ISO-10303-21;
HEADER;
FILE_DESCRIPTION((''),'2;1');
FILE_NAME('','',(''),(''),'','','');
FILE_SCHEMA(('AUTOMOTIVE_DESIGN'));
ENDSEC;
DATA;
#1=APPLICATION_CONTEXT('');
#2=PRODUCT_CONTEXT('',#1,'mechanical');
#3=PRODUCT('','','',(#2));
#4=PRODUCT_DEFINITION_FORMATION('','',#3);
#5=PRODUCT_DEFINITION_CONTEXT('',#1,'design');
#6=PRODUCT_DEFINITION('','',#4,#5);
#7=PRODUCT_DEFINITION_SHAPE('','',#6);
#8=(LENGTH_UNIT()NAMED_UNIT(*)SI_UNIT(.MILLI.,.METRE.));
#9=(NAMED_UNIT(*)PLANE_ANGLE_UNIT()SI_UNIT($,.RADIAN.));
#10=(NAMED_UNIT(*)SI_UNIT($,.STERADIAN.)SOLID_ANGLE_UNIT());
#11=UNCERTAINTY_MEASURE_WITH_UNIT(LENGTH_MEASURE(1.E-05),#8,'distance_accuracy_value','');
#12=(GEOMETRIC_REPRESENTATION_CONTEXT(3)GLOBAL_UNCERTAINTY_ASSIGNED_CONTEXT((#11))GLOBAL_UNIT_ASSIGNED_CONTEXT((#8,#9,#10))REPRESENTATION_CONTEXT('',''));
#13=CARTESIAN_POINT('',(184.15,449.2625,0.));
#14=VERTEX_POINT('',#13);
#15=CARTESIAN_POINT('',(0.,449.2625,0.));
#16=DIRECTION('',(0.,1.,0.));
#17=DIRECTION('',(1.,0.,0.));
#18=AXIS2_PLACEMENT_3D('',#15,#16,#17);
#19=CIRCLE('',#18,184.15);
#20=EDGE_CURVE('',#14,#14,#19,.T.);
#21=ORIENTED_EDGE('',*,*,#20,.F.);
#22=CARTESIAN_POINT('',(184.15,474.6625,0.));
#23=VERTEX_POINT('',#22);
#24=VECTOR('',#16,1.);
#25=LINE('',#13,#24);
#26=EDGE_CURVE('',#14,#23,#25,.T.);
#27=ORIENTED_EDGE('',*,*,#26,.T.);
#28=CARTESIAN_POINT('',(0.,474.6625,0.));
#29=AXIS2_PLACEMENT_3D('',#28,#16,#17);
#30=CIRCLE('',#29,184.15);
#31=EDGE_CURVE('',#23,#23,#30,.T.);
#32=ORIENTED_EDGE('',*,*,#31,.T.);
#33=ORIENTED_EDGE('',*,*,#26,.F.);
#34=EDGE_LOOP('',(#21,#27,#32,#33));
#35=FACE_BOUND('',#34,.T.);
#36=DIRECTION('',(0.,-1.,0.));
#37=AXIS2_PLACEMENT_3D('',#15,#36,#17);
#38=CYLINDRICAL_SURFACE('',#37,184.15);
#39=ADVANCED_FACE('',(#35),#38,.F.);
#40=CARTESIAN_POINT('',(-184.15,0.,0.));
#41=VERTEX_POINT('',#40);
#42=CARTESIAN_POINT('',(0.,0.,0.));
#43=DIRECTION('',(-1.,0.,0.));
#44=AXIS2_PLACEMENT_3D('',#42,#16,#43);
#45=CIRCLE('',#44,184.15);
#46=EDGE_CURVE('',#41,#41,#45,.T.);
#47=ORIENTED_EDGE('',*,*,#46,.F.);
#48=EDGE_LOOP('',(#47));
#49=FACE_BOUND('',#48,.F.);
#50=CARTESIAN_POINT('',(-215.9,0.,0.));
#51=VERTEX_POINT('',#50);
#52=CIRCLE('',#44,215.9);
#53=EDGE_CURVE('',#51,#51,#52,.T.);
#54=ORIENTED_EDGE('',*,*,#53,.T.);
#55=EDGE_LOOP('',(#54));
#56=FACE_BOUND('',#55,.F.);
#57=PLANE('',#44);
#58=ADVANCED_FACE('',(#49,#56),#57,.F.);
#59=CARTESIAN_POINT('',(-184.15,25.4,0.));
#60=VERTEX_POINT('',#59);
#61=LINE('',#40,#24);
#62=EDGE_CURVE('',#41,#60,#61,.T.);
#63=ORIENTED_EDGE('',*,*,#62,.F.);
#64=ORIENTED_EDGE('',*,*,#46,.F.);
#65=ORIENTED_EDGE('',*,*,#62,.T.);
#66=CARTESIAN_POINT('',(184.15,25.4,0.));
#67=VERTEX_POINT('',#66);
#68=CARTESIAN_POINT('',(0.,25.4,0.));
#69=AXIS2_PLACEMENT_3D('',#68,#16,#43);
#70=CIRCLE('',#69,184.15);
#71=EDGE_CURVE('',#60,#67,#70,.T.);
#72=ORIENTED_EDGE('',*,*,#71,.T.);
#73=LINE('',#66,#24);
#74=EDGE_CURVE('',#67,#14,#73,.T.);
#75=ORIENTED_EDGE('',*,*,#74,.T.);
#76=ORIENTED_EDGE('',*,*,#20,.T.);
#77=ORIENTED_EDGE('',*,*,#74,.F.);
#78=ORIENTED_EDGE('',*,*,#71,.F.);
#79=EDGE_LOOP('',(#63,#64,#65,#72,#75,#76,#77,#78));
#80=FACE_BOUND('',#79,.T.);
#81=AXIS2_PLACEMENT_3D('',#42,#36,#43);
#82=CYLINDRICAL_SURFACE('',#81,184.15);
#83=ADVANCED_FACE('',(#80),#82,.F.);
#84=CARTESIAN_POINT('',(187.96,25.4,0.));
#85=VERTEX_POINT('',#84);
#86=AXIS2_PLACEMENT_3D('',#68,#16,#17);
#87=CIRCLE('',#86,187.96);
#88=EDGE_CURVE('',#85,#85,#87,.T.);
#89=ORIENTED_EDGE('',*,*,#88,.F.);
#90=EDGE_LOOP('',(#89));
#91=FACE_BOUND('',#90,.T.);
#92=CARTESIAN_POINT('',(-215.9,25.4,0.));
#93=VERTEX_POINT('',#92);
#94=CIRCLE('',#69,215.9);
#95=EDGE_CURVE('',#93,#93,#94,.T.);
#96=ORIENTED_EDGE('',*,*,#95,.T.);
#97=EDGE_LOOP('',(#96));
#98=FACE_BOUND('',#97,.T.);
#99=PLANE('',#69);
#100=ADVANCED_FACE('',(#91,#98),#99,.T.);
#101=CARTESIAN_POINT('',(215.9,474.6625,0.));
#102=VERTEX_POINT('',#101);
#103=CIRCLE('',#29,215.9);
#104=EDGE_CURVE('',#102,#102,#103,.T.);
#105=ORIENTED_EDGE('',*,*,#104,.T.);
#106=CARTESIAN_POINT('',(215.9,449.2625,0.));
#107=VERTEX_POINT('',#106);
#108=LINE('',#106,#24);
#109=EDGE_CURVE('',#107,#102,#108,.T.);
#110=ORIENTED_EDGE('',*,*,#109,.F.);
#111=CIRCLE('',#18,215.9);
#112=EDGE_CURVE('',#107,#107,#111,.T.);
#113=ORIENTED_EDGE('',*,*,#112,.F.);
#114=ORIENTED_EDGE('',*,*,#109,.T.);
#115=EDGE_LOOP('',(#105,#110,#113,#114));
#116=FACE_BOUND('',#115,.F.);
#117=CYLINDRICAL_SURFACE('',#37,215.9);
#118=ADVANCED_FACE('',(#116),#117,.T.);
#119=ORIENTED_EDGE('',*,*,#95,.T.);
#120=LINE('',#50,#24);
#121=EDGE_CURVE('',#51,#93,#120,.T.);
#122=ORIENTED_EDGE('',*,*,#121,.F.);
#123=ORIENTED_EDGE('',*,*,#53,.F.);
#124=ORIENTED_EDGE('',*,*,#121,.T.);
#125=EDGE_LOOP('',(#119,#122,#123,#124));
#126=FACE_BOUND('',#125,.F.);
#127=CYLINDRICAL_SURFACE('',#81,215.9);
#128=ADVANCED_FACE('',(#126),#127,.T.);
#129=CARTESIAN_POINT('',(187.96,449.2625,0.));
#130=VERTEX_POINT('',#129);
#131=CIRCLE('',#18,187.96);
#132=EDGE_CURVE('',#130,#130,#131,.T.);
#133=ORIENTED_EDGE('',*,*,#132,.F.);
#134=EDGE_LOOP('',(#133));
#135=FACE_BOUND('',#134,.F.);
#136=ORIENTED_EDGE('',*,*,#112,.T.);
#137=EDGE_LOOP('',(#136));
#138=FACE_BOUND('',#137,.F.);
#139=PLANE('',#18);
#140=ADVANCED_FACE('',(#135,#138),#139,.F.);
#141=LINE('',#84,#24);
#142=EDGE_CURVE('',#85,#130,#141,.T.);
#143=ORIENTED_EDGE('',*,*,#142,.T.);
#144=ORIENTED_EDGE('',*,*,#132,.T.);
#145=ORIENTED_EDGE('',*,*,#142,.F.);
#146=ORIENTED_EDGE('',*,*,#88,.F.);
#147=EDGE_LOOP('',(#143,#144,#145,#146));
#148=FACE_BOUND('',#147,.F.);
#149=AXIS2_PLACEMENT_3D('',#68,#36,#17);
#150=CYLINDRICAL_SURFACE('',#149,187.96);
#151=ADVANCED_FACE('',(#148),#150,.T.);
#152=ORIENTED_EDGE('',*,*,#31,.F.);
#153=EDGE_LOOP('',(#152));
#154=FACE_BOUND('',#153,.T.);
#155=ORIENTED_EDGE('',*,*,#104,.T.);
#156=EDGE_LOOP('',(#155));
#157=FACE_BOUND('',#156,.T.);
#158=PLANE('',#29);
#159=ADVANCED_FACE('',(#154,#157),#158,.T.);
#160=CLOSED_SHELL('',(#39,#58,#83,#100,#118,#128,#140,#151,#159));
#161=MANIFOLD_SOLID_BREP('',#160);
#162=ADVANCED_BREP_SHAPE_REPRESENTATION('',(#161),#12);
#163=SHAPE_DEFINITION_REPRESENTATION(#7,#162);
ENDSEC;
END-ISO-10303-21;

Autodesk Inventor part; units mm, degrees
ref_plane "YZ Plane" through (0, 0, 0) normal (1, 0, 0) x (0, 1, 0)
ref_plane "XZ Plane" through (0, 0, 0) normal (0, 1, 0) x (-1, 0, 0)
ref_plane "XY Plane" through (0, 0, 0) normal (0, 0, 1) x (1, 0, 0)
sketch "Sketch1" plane through (0, 0, 0) normal (0, 1, 0) x (-1, 0, 0)
  circle A0 centre (0, 0) radius 184.15
  circle A1 centre (0, 0) radius 215.9
  dimension "d0" = 368.3
  dimension "d1" = 431.8
extrude "Extrusion1" add sketch "Sketch1" along normal blind 25.4
sketch "Sketch2" plane through (0, 25.4, 0) normal (0, 1, 0) x (1, 0, 0)
  circle A0 centre (0, 0) radius 184.15
  circle A1 centre (0, 0) radius 187.96
  dimension "d4" = 368.3
  dimension "d5" = 375.92
extrude "Extrusion2" add sketch "Sketch2" along normal blind 423.8625
sketch "Sketch3" plane through (0, 449.2625, 0) normal (0, 1, 0) x (1, 0, 0)
  circle A0 centre (0, 0) radius 184.15
  circle A1 centre (0, 0) radius 215.9
  dimension "d8" = 368.3
  dimension "d9" = 431.8
extrude "Extrusion3" add sketch "Sketch3" along normal blind 25.4
properties part number "Radiation Sheild 55K" material "Aluminum 6061"
